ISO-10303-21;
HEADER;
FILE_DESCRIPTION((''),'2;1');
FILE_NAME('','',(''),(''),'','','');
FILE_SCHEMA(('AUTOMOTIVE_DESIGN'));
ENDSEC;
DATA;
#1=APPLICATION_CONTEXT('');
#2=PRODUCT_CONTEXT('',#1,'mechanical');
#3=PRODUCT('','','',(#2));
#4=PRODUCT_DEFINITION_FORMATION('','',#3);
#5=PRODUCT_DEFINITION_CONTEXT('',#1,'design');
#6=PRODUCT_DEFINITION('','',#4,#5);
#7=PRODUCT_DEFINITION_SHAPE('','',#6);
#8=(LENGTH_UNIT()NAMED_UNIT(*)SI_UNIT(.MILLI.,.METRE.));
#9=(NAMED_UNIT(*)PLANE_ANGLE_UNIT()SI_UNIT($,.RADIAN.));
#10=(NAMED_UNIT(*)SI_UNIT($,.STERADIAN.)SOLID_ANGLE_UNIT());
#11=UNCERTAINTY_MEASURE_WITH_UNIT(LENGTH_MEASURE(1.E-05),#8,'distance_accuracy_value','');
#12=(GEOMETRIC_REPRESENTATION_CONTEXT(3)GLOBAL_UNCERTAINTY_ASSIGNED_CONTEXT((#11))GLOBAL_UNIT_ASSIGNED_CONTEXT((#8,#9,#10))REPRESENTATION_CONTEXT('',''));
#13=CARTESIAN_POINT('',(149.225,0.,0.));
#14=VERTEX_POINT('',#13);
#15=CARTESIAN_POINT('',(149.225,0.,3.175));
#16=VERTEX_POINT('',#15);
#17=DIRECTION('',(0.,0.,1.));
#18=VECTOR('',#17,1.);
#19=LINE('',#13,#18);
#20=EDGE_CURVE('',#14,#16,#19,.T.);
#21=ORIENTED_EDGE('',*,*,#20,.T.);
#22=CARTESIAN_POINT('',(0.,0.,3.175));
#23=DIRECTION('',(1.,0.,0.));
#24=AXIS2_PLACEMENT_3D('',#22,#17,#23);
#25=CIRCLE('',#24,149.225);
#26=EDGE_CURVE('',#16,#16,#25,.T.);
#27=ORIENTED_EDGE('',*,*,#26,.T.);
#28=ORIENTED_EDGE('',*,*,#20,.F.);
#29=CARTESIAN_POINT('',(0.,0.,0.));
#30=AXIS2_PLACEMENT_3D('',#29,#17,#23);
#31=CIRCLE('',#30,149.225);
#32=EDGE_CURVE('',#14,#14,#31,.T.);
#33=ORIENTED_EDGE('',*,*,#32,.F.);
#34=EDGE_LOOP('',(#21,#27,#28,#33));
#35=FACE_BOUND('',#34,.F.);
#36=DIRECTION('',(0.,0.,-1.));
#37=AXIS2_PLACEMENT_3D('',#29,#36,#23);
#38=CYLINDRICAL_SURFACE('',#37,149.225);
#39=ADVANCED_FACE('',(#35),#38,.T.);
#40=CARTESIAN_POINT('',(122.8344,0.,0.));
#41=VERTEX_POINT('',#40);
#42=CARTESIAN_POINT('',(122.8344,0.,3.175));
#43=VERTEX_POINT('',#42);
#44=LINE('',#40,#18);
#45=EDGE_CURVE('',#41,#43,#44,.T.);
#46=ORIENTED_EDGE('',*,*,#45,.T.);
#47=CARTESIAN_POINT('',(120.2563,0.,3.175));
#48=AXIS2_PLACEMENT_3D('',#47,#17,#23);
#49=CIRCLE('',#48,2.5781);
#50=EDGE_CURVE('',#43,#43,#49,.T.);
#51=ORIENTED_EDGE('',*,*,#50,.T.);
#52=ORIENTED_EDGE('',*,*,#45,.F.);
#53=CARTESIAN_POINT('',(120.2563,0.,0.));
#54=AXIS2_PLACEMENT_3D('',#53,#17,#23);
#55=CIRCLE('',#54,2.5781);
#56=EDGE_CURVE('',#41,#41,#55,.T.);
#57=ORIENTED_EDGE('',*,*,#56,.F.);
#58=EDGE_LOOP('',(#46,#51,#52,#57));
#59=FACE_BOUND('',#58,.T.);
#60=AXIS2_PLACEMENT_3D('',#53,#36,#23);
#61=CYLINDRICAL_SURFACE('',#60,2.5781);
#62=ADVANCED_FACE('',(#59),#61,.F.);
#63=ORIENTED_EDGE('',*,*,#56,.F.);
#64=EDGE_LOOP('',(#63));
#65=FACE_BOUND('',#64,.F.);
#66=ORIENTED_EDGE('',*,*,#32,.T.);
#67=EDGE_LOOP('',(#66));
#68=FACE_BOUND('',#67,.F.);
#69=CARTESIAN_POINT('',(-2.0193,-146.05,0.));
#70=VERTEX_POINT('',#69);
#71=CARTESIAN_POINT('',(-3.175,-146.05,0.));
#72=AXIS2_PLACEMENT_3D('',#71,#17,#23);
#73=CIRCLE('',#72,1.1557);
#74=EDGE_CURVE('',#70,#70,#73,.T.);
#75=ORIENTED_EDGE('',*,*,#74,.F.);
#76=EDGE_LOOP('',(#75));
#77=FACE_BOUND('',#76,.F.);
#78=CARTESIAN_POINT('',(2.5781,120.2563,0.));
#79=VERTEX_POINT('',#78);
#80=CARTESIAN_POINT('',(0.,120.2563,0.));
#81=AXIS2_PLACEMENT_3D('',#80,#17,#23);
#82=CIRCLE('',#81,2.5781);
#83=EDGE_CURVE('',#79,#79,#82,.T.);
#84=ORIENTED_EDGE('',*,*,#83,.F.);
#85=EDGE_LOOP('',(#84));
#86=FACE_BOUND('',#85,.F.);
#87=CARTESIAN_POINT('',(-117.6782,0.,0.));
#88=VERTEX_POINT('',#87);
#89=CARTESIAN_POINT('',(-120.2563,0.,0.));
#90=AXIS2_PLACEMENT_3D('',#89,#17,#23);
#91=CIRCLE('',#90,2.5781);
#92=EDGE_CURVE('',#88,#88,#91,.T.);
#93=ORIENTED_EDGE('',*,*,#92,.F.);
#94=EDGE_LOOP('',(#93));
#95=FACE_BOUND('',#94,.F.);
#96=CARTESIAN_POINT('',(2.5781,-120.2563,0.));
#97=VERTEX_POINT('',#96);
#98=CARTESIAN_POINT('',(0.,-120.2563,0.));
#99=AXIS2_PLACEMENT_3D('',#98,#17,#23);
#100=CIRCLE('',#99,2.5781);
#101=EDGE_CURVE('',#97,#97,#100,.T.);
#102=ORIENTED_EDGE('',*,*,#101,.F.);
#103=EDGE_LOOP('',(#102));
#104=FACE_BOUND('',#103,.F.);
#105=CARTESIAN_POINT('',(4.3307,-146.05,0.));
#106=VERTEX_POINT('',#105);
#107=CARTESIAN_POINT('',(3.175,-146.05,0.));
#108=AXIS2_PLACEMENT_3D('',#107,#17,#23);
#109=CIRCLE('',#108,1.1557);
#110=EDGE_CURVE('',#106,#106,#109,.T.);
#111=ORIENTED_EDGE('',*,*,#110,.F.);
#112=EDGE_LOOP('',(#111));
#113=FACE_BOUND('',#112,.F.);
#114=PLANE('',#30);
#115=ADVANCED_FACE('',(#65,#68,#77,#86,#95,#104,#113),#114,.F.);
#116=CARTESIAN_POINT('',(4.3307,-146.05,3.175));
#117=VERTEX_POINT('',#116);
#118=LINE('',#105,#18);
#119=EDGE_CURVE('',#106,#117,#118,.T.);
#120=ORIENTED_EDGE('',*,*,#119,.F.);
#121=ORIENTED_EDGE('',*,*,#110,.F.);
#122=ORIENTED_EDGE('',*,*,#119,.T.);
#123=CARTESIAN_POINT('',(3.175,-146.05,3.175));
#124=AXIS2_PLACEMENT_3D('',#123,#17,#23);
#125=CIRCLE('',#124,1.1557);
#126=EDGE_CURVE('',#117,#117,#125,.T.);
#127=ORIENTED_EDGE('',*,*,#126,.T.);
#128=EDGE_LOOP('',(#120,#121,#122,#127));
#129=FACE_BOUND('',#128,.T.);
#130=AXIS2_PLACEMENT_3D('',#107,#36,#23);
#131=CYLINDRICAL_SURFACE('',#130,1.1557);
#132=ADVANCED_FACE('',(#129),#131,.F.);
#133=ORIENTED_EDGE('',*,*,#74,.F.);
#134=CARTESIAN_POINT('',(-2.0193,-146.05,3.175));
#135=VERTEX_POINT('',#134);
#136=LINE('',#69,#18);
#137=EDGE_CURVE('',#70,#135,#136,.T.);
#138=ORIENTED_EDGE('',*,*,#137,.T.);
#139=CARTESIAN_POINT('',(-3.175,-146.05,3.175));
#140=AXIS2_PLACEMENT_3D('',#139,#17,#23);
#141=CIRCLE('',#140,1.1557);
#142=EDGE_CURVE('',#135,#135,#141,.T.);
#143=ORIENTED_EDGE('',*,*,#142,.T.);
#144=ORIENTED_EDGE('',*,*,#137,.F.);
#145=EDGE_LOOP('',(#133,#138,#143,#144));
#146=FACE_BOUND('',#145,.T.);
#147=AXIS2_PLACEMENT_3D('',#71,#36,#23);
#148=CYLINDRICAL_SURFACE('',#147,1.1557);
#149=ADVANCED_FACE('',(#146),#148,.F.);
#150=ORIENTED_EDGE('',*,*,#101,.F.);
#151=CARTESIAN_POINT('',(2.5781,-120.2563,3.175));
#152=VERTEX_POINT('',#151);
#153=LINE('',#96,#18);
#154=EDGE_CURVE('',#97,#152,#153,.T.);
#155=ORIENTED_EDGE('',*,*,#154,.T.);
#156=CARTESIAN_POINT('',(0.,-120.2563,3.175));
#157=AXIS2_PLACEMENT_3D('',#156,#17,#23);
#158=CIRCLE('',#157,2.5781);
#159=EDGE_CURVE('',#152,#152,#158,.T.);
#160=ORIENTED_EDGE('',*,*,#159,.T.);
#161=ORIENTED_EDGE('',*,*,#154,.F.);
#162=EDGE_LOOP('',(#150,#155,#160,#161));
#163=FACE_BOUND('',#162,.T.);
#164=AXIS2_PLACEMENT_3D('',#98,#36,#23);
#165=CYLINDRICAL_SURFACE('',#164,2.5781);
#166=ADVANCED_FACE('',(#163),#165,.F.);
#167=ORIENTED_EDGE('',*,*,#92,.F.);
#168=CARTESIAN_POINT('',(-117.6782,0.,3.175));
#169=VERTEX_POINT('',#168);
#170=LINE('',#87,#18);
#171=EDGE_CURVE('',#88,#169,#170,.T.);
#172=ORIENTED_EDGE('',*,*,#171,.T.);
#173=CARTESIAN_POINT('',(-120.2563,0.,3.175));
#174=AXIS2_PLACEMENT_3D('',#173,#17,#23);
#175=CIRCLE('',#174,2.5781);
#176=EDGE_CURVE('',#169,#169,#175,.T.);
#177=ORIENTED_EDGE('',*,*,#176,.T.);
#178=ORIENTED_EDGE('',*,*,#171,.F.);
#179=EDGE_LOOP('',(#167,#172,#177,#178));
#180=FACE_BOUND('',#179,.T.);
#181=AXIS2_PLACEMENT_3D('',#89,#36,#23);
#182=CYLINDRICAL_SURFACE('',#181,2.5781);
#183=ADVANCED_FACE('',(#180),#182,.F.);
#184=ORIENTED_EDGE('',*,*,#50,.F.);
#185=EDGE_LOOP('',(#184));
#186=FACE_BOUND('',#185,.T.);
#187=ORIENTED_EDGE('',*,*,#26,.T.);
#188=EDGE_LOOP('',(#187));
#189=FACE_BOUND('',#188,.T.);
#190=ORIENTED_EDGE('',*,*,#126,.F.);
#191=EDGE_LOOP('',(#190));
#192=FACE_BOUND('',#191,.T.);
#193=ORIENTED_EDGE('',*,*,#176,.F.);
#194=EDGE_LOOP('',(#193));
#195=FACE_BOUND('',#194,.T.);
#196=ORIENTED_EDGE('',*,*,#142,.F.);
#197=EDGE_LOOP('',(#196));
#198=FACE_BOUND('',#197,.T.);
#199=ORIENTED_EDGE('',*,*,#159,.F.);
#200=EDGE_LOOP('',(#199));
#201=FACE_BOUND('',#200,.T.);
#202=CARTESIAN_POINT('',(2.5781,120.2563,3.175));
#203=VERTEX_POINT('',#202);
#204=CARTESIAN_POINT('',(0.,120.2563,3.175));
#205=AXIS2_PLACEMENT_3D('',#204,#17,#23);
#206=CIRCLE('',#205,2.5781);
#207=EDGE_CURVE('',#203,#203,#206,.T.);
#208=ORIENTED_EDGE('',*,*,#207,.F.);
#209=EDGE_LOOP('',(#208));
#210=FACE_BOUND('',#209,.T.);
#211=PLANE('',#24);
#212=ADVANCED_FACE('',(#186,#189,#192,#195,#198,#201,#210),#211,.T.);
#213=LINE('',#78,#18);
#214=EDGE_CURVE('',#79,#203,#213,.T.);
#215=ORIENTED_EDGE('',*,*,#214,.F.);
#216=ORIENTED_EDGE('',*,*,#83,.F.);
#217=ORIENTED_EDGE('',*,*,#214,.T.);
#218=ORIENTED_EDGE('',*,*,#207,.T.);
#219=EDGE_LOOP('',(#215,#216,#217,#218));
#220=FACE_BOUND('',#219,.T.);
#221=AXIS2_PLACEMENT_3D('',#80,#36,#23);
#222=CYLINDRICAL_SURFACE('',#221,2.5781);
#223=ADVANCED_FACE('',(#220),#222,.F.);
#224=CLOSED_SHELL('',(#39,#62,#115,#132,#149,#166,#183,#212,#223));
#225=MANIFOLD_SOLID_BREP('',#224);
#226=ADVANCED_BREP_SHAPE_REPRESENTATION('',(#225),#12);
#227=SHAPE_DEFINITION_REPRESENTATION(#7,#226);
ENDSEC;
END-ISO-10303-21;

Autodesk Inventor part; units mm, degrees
ref_plane "YZ Plane" through (0, 0, 0) normal (1, 0, 0) x (0, 1, 0)
ref_plane "XZ Plane" through (0, 0, 0) normal (0, 1, 0) x (-1, 0, 0)
ref_plane "XY Plane" through (0, 0, 0) normal (0, 0, 1) x (1, 0, 0)
sketch "Sketch1" plane through (0, 0, 0) normal (0, 0, 1) x (1, 0, 0)
  circle A0 centre (0, 0) radius 149.225
  circle A1 centre (0, 0) radius 120.2563 construction
  circle A2 centre (120.2563, 0) radius 2.5781
  circle A3 centre (0, 120.2563) radius 2.5781
  circle A4 centre (-120.2563, 0) radius 2.5781
  circle A5 centre (0, -120.2563) radius 2.5781
  line L0 (120.2563, 0) -> (0, 0) construction
  line L1 (0, 0) -> (0, 120.2563) construction
  line L2 (0, 0) -> (0, -120.2563) construction
  line L3 (0, 0) -> (-120.2563, 0) construction
  circle A6 centre (3.175, -146.05) radius 1.1557
  circle A7 centre (-3.175, -146.05) radius 1.1557
  line L4 (0, -120.2563) -> (0, -149.225) construction
  line L5 (3.175, -146.05) -> (0, -146.05) construction
  line L6 (0, -146.05) -> (-3.175, -146.05) construction
  dimension "d0" = 298.45
  dimension "d1" = 240.5126
  dimension "d2" = 5.1562
  dimension "d3" = 5.1562
  dimension "d4" = 5.1562
  dimension "d5" = 5.1562
  dimension "d8" = 2.3114
  dimension "d9" = 2.3114
  dimension "d10" = 146.05
  dimension "d11" = 3.175
extrude "Extrusion1" add sketch "Sketch1" along normal blind 3.175 contours A0 | A6 | A7
extrude "Extrusion2" cut sketch "Sketch1" along normal blind 3.175 contours A6 | A7
properties part number "roundplate" material "Aluminum 6061"
